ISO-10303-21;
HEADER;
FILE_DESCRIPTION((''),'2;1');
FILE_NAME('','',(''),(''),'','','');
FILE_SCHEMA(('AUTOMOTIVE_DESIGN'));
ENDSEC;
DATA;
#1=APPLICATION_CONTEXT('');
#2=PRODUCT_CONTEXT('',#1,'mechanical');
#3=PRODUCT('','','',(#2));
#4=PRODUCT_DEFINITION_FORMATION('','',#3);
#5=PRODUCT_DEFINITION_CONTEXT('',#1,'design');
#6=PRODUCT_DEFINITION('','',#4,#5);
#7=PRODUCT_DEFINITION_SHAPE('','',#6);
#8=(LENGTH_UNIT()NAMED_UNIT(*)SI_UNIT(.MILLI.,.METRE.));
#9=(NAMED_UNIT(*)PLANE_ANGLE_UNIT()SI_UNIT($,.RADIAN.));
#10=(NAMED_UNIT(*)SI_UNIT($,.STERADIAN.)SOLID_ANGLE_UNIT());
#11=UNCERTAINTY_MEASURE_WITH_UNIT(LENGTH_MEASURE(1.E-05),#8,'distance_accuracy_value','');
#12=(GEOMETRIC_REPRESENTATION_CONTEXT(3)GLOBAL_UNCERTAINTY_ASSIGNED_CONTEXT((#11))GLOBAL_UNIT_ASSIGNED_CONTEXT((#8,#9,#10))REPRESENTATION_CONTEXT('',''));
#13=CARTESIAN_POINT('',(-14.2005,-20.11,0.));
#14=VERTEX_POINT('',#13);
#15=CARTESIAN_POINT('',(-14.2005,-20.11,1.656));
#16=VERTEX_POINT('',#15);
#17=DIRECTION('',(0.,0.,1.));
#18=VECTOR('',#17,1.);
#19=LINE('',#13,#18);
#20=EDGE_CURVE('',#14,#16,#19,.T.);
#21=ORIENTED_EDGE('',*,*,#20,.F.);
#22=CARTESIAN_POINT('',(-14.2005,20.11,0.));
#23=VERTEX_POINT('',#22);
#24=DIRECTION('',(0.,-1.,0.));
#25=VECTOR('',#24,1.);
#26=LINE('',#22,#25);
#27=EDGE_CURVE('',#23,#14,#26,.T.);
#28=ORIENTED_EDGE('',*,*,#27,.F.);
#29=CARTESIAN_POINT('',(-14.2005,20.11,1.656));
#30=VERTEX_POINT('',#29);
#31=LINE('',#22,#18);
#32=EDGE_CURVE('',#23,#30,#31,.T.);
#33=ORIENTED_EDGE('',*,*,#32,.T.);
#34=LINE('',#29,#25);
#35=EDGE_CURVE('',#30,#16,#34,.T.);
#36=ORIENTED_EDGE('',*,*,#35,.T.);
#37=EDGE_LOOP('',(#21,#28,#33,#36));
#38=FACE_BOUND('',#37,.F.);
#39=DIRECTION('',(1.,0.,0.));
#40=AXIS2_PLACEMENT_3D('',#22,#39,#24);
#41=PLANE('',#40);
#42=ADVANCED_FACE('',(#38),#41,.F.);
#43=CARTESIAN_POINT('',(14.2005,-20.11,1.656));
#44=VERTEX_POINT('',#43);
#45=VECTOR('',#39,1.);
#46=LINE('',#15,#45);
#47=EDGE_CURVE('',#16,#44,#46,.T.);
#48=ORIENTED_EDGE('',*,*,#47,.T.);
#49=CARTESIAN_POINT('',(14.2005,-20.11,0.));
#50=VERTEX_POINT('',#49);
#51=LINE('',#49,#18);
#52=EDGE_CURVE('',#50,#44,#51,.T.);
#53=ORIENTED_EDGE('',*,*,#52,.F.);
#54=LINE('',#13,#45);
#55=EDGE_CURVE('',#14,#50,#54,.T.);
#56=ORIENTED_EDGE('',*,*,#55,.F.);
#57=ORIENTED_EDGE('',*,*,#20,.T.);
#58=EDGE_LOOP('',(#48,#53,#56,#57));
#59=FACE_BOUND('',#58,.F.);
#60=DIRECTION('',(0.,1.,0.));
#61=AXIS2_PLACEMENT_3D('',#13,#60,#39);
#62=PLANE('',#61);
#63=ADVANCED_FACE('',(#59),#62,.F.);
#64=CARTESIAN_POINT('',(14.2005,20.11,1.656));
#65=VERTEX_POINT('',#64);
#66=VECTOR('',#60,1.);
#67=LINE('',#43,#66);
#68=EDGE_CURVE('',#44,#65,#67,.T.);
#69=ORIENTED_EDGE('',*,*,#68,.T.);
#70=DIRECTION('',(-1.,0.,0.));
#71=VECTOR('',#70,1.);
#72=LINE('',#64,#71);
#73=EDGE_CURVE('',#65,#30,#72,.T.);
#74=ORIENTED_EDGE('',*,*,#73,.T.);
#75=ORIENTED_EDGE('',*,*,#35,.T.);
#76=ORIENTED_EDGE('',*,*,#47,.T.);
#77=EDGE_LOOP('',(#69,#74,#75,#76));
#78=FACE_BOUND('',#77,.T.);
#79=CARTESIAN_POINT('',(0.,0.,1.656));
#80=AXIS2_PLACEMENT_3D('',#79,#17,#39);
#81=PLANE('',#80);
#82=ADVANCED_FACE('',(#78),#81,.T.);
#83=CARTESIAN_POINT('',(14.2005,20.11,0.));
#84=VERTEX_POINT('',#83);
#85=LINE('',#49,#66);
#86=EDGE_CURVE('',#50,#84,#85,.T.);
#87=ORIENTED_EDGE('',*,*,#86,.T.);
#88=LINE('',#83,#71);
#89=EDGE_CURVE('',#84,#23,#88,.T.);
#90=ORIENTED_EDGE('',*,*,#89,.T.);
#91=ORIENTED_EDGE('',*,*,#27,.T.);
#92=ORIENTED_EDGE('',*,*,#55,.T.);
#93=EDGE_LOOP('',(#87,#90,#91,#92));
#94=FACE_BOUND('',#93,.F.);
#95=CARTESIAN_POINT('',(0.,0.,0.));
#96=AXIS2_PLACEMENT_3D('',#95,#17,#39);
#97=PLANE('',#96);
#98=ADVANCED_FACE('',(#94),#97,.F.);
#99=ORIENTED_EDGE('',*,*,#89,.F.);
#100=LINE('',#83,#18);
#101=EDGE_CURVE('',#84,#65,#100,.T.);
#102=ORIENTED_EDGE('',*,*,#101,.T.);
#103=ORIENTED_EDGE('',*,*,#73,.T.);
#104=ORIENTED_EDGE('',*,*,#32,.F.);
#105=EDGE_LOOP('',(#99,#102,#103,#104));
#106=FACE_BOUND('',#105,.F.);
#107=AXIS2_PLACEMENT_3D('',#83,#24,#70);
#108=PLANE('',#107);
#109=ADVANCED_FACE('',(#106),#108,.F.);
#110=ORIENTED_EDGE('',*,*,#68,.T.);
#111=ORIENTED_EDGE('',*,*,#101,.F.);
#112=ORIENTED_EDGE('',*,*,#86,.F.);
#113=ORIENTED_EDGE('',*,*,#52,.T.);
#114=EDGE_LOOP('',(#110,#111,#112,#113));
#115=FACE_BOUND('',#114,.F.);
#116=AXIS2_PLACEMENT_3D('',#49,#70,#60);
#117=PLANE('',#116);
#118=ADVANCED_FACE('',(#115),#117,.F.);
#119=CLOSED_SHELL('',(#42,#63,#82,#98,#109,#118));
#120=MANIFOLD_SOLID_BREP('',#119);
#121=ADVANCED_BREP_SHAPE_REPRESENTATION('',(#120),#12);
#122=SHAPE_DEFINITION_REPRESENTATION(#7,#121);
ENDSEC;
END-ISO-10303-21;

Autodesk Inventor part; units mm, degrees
ref_plane "YZ Plane" through (0, 0, 0) normal (1, 0, 0) x (0, 1, 0)
ref_plane "XZ Plane" through (0, 0, 0) normal (0, 1, 0) x (-1, 0, 0)
ref_plane "XY Plane" through (0, 0, 0) normal (0, 0, 1) x (1, 0, 0)
sketch "Sketch1" plane through (0, 0, 0) normal (0, 0, 1) x (1, 0, 0)
  line L0 (-14.2005, -20.11) -> (14.2005, -20.11)
  line L1 (14.2005, -20.11) -> (14.2005, 20.11)
  line L2 (14.2005, 20.11) -> (-14.2005, 20.11)
  line L3 (-14.2005, 20.11) -> (-14.2005, -20.11)
  line L4 (-14.2005, -20.11) -> (14.2005, 20.11) construction
  line L5 (14.2005, -20.11) -> (-14.2005, 20.11) construction
  point P0 (0, 0)
  dimension "d0" = 40.22
  dimension "d1" = 28.401
extrude "Extrusion1" add sketch "Sketch1" along normal blind 1.656
properties part number "HX711 Mount Lid v1.2"
